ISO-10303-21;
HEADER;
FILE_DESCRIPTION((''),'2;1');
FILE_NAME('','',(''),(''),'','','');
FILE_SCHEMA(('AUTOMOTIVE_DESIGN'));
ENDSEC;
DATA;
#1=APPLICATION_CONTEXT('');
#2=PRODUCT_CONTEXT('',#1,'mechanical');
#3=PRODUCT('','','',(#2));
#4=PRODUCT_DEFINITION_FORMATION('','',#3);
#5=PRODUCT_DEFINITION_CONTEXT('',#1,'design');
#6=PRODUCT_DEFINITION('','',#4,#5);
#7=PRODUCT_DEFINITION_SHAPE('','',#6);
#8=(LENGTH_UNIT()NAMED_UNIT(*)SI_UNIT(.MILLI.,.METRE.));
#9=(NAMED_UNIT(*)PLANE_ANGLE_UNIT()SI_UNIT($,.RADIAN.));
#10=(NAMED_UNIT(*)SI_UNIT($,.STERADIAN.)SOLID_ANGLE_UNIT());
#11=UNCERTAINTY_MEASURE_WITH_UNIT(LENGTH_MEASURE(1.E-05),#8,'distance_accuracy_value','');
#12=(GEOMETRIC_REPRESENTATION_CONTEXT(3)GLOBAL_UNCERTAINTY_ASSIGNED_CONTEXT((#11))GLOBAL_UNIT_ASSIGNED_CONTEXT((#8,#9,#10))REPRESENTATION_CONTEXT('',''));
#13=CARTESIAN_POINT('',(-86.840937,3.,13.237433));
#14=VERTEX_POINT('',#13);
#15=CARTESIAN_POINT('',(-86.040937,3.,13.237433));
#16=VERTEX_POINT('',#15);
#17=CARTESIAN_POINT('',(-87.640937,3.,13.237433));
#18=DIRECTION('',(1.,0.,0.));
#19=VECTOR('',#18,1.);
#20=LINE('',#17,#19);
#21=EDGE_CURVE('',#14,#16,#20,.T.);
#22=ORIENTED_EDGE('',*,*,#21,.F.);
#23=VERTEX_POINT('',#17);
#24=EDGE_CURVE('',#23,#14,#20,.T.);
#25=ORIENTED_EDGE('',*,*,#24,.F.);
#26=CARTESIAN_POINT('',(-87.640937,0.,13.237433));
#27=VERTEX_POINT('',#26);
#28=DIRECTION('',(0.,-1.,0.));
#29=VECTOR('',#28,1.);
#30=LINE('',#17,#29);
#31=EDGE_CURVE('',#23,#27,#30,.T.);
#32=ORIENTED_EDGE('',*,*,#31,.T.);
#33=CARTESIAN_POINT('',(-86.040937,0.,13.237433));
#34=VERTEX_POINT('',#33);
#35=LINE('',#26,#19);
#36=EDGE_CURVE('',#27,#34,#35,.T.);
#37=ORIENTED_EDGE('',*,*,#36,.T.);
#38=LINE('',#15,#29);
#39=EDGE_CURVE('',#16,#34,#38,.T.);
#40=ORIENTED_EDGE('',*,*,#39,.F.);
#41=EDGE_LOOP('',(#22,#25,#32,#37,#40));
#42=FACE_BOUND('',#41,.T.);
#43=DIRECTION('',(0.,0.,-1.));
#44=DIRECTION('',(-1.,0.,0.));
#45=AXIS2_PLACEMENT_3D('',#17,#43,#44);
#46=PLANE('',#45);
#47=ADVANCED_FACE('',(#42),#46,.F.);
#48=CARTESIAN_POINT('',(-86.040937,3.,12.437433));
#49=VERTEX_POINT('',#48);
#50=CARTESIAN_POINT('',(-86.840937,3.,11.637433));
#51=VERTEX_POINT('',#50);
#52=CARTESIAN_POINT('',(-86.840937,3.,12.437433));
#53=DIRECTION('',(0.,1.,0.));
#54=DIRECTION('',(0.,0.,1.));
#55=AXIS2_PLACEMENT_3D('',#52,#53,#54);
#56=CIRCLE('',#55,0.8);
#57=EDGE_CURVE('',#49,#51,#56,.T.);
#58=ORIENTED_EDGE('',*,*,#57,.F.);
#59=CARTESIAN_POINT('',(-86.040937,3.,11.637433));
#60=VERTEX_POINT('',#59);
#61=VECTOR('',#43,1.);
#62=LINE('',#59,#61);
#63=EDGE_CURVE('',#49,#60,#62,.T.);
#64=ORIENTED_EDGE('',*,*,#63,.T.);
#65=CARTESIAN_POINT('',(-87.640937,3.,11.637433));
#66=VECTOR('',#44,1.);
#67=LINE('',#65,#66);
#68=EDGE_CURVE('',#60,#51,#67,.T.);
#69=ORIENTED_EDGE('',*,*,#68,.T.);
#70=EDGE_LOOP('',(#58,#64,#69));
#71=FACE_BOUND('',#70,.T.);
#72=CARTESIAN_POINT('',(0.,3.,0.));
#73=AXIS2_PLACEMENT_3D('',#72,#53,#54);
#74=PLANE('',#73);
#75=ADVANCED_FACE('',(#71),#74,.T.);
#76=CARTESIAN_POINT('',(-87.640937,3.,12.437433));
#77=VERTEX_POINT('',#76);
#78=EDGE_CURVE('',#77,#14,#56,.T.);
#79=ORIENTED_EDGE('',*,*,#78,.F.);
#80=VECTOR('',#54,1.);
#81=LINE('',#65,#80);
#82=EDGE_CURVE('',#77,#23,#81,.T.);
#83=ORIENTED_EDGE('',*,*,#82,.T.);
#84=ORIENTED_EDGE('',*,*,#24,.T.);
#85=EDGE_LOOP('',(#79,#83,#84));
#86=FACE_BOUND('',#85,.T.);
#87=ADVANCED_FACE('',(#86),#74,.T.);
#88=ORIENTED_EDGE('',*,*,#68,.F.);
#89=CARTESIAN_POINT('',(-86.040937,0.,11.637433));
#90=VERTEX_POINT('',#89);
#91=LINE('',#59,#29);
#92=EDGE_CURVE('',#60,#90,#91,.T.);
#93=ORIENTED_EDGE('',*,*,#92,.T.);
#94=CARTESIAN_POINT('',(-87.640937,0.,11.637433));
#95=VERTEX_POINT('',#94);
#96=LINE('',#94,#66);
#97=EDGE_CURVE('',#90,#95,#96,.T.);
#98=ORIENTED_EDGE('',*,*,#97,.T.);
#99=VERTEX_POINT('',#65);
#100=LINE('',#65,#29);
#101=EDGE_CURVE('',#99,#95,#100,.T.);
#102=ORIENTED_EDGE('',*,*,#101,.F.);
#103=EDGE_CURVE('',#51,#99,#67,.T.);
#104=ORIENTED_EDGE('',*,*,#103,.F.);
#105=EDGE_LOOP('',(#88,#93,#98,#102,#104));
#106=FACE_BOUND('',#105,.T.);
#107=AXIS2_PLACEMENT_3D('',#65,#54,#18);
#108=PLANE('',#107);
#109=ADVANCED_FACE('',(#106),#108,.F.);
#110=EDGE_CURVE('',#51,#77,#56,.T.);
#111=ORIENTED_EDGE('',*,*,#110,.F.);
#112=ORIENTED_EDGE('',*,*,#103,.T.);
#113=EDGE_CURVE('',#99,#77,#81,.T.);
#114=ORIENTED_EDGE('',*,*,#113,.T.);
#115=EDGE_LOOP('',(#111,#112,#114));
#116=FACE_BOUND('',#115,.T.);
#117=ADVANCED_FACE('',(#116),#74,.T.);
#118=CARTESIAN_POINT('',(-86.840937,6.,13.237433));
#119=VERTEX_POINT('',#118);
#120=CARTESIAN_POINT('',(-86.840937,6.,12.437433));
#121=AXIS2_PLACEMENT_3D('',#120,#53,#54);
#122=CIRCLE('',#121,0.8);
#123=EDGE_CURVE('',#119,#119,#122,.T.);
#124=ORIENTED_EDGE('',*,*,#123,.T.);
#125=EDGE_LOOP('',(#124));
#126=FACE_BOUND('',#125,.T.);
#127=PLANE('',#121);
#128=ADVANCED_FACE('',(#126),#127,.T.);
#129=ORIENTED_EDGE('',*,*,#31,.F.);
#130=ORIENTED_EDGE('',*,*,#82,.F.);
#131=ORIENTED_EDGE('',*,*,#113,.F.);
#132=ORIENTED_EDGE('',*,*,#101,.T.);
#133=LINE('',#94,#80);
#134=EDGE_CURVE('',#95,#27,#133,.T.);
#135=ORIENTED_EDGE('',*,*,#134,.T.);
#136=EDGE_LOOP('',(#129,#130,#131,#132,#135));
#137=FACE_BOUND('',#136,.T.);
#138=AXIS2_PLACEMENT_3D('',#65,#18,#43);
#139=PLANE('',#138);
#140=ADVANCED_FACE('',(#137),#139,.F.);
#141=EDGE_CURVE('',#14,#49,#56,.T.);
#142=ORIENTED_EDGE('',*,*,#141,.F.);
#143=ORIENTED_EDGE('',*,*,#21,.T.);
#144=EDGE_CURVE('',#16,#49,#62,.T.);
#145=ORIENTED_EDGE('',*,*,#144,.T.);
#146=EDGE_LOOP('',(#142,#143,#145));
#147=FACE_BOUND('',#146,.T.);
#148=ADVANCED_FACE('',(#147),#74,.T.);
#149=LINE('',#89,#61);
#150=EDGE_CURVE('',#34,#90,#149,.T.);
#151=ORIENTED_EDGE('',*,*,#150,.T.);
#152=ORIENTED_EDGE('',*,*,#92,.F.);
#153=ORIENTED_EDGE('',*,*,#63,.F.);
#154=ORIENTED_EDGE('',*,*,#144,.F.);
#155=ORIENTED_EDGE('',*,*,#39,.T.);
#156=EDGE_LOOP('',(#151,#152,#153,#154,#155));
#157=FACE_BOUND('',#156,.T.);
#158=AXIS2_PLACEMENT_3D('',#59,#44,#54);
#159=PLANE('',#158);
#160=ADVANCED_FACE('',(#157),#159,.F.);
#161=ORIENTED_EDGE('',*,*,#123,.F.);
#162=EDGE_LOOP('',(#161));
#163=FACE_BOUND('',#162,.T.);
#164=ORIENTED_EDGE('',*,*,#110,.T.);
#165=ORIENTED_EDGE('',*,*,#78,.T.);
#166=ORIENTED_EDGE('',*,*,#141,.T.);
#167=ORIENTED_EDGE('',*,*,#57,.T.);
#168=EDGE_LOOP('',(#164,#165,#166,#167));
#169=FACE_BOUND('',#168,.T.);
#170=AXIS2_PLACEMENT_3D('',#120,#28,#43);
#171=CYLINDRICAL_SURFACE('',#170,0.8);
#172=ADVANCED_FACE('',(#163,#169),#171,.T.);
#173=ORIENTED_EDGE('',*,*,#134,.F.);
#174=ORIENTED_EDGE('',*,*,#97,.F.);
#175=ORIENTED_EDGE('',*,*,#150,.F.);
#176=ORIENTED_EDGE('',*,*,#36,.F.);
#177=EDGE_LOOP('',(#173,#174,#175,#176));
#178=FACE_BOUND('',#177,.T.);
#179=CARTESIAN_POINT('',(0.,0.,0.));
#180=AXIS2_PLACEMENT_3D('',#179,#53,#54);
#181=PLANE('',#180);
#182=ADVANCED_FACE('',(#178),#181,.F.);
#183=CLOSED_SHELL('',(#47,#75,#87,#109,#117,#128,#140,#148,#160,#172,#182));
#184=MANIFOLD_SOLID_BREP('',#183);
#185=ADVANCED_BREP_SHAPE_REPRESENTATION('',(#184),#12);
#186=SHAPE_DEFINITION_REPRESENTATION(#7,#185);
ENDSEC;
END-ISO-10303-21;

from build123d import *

# Parameters (mm, degrees)
SKETCH1_W           = 1.6
SKETCH1_H           = 1.6
BOSS_EXTRUDE1_DEPTH = 3
SKETCH2_R           = 0.8
BOSS_EXTRUDE2_DEPTH = 3


with BuildPart() as part:
    # Sketch1 → Boss-Extrude1 (new body)
    with BuildSketch(Plane(origin=(0, 0, 0), x_dir=(1, 0, 0), z_dir=(0, 1, 0))):
        with Locations((-86.840937233, -12.437433228)):
            Rectangle(SKETCH1_W, SKETCH1_H)
    extrude(amount=BOSS_EXTRUDE1_DEPTH)

    # Sketch2 → Boss-Extrude2 (add)
    with BuildSketch(Plane(origin=(0, 3, 0), x_dir=(1, 0, 0), z_dir=(0, 1, 0))):
        with Locations(Location((-86.840937233, -12.437433228, 0), (0, 0, 270))):
            Circle(SKETCH2_R)
    extrude(amount=BOSS_EXTRUDE2_DEPTH)


solid = part.part
